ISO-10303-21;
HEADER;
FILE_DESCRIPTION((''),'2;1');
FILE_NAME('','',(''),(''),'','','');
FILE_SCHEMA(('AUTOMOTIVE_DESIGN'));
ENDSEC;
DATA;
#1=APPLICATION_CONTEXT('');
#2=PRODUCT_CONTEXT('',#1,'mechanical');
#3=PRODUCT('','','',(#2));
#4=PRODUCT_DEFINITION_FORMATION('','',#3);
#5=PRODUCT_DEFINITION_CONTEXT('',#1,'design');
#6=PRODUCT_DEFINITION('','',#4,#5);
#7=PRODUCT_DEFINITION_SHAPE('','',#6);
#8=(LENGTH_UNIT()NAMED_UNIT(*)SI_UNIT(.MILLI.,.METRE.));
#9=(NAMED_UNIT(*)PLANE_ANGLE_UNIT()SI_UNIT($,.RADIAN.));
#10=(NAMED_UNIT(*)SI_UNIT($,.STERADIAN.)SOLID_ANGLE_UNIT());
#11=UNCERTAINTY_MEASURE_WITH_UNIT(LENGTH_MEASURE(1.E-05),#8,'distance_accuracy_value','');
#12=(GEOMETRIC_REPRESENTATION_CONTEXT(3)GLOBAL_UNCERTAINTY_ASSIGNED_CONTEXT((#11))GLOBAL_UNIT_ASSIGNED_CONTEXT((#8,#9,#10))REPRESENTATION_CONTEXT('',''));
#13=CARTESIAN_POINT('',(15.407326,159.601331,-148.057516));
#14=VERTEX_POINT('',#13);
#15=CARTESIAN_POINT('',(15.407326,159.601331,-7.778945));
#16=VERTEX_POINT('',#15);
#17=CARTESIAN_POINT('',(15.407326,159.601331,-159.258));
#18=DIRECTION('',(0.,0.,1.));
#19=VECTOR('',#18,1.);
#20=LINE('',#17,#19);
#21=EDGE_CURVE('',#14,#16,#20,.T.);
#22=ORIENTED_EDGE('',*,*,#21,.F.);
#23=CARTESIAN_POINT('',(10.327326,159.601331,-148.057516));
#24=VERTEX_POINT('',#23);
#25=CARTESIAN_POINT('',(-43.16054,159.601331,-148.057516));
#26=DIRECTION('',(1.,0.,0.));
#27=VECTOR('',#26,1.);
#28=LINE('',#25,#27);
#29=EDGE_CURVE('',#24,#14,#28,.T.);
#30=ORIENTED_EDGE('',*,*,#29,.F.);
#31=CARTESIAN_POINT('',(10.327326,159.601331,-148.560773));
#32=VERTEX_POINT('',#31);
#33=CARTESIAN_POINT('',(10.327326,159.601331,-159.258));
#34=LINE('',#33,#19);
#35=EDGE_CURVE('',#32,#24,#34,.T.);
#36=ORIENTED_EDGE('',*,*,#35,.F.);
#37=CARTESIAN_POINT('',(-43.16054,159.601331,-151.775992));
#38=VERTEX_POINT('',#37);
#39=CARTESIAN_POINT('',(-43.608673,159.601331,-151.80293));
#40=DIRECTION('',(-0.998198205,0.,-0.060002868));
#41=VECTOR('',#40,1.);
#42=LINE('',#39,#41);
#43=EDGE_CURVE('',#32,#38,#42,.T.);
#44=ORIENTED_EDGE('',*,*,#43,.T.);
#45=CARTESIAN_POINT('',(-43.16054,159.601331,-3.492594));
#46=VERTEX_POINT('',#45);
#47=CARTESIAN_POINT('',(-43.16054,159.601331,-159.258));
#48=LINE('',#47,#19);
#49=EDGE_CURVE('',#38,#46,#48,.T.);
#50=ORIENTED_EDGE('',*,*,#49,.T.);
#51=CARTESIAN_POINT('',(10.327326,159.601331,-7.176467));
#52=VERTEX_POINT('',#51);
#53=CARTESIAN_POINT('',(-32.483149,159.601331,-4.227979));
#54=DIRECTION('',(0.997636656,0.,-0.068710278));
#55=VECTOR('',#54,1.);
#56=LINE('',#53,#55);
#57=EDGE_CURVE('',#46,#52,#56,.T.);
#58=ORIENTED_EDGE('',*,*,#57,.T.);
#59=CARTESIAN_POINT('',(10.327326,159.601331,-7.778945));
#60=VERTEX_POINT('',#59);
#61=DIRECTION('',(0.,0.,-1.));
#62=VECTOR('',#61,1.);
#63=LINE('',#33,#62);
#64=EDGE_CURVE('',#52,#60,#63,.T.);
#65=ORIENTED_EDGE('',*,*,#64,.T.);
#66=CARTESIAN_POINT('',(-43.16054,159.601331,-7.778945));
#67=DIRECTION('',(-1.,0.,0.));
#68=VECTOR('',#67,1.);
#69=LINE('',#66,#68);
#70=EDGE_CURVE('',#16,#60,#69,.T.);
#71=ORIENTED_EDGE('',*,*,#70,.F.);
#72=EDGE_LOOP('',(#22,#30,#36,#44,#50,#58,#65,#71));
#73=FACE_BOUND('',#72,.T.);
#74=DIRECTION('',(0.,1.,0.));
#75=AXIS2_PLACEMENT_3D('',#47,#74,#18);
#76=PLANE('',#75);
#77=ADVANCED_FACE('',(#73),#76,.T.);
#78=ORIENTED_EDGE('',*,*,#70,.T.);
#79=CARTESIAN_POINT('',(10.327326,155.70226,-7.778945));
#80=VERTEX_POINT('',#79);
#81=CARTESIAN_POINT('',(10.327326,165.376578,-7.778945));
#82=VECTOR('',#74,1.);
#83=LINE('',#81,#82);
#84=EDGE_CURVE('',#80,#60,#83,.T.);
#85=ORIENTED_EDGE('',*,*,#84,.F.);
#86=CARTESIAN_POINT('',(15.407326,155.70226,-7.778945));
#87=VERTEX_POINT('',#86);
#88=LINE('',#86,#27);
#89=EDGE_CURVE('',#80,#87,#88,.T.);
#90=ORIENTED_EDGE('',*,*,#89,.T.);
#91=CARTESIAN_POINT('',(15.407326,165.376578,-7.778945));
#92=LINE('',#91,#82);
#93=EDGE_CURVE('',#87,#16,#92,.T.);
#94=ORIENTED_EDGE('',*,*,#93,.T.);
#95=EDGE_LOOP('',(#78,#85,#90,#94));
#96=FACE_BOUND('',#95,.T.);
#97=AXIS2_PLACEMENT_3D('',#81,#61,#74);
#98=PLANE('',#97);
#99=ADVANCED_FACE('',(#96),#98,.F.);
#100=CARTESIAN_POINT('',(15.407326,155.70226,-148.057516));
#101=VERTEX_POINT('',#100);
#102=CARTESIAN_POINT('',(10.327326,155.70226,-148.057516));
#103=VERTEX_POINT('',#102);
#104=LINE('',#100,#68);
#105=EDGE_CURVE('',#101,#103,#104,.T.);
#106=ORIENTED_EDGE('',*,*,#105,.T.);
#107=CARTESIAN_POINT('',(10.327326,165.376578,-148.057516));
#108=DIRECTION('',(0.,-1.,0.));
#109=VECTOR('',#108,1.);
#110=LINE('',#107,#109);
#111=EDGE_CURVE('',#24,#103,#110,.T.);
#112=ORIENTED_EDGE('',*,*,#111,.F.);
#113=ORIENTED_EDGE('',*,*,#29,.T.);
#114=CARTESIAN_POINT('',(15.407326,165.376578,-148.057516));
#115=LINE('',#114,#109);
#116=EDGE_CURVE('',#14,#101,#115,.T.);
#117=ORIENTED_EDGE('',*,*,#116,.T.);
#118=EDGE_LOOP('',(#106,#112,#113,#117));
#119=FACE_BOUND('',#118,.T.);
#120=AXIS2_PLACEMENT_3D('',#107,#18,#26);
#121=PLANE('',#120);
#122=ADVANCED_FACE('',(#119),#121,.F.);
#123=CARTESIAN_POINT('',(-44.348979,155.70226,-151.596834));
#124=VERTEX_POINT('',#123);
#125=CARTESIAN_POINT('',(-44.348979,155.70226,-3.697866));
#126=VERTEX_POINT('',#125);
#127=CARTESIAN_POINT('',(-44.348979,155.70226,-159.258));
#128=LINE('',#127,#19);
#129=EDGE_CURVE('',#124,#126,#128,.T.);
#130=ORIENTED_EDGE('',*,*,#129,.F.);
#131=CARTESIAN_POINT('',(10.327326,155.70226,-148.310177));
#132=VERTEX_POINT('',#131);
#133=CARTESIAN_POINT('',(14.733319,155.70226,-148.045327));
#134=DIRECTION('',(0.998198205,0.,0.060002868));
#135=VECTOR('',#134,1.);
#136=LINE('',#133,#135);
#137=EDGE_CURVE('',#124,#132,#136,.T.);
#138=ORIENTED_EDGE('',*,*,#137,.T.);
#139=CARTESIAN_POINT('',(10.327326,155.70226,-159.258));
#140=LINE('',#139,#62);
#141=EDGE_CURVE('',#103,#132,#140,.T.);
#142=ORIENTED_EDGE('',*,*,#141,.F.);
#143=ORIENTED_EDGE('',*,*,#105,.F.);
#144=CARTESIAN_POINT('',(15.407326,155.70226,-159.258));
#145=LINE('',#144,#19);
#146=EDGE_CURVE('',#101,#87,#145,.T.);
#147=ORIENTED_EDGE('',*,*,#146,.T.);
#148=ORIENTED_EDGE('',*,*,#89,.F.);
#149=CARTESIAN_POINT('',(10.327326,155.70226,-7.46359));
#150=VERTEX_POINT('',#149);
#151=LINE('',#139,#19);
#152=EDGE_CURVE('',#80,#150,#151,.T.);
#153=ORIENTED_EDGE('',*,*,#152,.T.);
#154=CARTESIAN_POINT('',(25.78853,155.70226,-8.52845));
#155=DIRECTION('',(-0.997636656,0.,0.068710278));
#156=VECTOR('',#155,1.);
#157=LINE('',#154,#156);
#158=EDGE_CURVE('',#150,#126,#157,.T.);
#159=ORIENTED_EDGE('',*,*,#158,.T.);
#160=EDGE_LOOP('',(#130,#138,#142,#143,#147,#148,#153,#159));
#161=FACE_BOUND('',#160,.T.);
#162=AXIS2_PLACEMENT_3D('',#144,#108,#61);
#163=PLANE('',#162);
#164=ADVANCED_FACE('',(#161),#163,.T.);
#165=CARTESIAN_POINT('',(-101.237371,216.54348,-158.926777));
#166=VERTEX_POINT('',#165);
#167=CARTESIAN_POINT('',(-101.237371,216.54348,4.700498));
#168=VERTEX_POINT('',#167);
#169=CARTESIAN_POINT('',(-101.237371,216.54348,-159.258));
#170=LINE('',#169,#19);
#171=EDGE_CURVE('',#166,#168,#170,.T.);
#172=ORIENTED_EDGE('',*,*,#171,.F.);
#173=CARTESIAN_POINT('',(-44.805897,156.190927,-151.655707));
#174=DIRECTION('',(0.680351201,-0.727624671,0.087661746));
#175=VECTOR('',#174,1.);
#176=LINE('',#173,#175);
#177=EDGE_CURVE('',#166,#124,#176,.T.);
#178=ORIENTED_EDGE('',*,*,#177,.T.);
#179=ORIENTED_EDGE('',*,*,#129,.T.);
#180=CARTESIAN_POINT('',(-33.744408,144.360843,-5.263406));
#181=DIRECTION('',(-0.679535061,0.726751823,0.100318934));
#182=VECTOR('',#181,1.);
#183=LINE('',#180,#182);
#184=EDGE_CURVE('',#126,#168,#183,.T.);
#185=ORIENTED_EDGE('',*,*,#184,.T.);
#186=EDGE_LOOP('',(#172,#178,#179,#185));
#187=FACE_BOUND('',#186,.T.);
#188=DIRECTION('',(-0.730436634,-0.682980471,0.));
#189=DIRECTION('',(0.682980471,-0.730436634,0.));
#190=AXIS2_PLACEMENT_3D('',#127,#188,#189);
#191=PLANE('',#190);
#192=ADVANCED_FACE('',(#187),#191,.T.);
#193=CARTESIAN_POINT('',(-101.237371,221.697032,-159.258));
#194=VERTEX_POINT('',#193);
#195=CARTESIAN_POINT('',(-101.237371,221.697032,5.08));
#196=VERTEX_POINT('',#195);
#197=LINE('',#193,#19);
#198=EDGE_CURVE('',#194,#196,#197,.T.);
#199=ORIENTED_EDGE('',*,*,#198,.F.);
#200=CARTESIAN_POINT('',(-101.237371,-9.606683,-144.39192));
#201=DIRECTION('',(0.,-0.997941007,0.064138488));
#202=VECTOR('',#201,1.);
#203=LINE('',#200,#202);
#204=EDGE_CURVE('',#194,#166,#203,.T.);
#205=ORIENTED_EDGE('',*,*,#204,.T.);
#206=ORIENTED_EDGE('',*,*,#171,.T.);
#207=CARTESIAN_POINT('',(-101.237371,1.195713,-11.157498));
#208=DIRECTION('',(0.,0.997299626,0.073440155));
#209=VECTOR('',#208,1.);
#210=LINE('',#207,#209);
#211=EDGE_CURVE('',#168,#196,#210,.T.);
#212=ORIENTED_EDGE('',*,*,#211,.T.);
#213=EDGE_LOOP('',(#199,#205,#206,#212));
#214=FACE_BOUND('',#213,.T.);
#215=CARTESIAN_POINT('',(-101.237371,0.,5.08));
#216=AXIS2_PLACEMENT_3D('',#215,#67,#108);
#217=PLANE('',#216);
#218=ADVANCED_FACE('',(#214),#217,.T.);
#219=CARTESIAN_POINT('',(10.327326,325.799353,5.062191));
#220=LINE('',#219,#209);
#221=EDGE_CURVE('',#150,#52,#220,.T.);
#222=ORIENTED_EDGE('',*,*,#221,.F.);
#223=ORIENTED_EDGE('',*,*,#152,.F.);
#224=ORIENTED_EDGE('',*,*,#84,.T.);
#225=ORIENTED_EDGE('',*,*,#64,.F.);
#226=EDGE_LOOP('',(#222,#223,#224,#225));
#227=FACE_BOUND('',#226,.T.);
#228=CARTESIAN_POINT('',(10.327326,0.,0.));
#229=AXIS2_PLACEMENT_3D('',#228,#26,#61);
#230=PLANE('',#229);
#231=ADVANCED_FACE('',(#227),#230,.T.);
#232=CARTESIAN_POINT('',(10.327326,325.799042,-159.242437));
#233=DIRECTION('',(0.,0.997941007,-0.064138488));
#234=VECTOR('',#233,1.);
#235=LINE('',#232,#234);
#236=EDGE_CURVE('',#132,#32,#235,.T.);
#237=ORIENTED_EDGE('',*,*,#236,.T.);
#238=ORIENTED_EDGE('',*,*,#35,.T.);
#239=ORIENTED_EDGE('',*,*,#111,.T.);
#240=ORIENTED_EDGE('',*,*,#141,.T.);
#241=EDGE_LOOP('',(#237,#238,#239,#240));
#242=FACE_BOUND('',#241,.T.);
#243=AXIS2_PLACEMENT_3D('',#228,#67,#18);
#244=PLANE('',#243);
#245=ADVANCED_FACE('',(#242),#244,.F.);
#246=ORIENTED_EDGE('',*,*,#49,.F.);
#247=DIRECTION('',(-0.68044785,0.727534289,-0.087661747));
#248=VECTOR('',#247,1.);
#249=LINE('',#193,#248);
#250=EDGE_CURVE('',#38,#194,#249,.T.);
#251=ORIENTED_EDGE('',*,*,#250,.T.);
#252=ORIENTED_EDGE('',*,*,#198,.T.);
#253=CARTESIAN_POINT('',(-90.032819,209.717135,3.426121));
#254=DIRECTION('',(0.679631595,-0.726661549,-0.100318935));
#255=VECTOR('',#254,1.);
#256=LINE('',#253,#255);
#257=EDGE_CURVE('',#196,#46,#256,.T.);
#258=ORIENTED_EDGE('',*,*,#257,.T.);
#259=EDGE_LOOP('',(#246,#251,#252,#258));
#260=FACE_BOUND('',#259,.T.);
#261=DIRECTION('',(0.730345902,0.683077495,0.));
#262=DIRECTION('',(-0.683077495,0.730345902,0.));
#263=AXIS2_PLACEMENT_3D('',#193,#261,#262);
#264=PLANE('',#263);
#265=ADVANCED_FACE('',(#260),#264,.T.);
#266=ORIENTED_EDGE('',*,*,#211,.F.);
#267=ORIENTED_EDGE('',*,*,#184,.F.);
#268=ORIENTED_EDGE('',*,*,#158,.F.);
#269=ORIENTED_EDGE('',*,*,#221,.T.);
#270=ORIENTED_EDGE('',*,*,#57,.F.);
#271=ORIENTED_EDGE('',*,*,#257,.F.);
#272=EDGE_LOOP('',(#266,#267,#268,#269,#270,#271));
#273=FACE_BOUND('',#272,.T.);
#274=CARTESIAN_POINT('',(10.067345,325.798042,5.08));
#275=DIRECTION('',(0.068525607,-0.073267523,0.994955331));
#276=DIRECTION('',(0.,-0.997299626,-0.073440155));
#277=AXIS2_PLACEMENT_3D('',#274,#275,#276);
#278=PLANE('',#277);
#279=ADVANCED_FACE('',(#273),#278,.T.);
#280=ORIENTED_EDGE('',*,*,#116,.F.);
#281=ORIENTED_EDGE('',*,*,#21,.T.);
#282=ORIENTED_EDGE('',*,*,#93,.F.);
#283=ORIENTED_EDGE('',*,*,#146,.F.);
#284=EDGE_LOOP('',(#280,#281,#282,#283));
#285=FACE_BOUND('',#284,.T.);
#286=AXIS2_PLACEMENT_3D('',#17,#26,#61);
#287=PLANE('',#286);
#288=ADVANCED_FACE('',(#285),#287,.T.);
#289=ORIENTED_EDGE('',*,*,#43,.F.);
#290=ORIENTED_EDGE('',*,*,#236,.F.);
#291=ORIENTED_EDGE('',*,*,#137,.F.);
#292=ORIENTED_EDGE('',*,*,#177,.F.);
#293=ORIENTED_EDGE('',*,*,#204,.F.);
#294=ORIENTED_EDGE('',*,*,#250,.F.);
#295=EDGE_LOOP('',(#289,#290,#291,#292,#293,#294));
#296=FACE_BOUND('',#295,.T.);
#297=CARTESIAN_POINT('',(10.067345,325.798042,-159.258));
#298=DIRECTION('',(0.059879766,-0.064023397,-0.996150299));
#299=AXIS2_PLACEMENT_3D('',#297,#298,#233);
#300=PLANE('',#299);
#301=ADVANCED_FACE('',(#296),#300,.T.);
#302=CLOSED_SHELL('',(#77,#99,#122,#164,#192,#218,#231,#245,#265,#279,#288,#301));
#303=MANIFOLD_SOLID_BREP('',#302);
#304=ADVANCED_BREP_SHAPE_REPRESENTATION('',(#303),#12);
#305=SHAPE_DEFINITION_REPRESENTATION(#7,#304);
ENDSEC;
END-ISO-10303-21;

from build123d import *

# Parameters (mm, degrees)
BOSS_EXTRUDE1_DEPTH     = 5.08
CUT_EXTRUDE1_DEPTH      = 50.8
SKETCH3_W               = 34.377834067
SKETCH3_H               = 141.590062345
CUT_EXTRUDE2_DEPTH      = 25.4
SKETCH4_R               = 1.4224
CUT_EXTRUDE3_DEPTH      = 5.08
BOSS_EXTRUDE2_DEPTH     = 164.338
CUT_EXTRUDE4_DEPTH      = 152.4
CUT_EXTRUDE5_DEPTH      = 152.4
CUT_EXTRUDE5_DEPTH_BACK = 152.4
SKETCH8_W               = 19.066411764
SKETCH8_H               = 17.374579431
SKETCH8_W_2             = 17.073824451
CUT_EXTRUDE6_DEPTH      = 5.08


with BuildPart() as part:
    # Sketch1 → Boss-Extrude1 (new body)
    with BuildSketch(Plane.XY):
        Polygon((0, 0), (0, 216.543480298), (-101.237370502, 216.543480298), (-101.237370502, 120.65), align=None)
    extrude(amount=BOSS_EXTRUDE1_DEPTH)

    # Sketch2 → Cut-Extrude1 (cut)
    with BuildSketch(Plane.XY.offset(5.08)):
        Polygon((-101.237370502, 216.543480298), (0, 108.271740149), (0, 216.543480298), align=None)
    extrude(amount=-CUT_EXTRUDE1_DEPTH, mode=Mode.SUBTRACT)

    # Sketch3 → Cut-Extrude2 (cut)
    with BuildSketch(Plane.XY.offset(5.08)):
        with Locations((5.61014441, 62.39317364)):
            Rectangle(SKETCH3_W, SKETCH3_H)
    extrude(amount=-CUT_EXTRUDE2_DEPTH, mode=Mode.SUBTRACT)

    # Sketch4 → Cut-Extrude3 (cut)
    with BuildSketch(Plane(origin=(0, 0, 0), x_dir=(0, 0, 1), z_dir=(-0.7660444431189743, -0.6427876096865437, 0))):
        with Locations((2.54, 26.412934343)):
            Circle(SKETCH4_R)
        with Locations((2.54, 153.412934343)):
            Circle(SKETCH4_R)
    extrude(amount=-CUT_EXTRUDE3_DEPTH, mode=Mode.SUBTRACT)

    # Sketch5 → Boss-Extrude2 (add)
    with BuildSketch(Plane.XY.offset(5.08)):
        Polygon((-101.237370502, 216.543480298), (-101.237370502, 221.697031777), (-43.160539618, 159.601331401), (15.407326332, 159.601331401), (15.407326332, 155.702260244), (-44.348979053, 155.702260244), align=None)
    extrude(amount=-BOSS_EXTRUDE2_DEPTH)

    # Sketch6 → Cut-Extrude4 (cut)
    with BuildSketch(Plane(origin=(0, 0, -63.5), x_dir=(-1, 0, 0), z_dir=(0, 0, -1))):
        Polygon((11.578772624, 120.655051318), (11.578772624, 13.799043873), (101.237370502, 120.65), (101.237370502, 216.543480298), align=None)
    extrude(amount=-CUT_EXTRUDE4_DEPTH, mode=Mode.SUBTRACT)

    # Sketch7 → Cut-Extrude5 (cut, two sides: drawn at the far end of the back side and taken through both)
    with BuildSketch(Plane(origin=(56.600313361, 52.937108481, 0), x_dir=(0, 0, -1), z_dir=(0.7303459019409237, 0.6830774945188128, 0)).offset(-CUT_EXTRUDE5_DEPTH_BACK)):
        Polygon((-5.08, 231.068488025), (7.526341611, 106.039780465), (-5.08, 106.039780465), align=None)
        Polygon((159.258, 231.068488025), (148.255408438, 106.039780465), (159.258, 106.039780465), align=None)
    extrude(amount=CUT_EXTRUDE5_DEPTH + CUT_EXTRUDE5_DEPTH_BACK, mode=Mode.SUBTRACT)

    # Sketch8 → Cut-Extrude6 (cut)
    with BuildSketch(Plane(origin=(15.407326332, 0, 0), x_dir=(0, 0, -1), z_dir=(1, 0, 0))):
        with Locations((-1.754260648, 156.68928868)):
            Rectangle(SKETCH8_W, SKETCH8_H)
        with Locations((156.594427777, 156.68928868)):
            Rectangle(SKETCH8_W_2, SKETCH8_H)
    extrude(amount=-CUT_EXTRUDE6_DEPTH, mode=Mode.SUBTRACT)


solid = part.part
